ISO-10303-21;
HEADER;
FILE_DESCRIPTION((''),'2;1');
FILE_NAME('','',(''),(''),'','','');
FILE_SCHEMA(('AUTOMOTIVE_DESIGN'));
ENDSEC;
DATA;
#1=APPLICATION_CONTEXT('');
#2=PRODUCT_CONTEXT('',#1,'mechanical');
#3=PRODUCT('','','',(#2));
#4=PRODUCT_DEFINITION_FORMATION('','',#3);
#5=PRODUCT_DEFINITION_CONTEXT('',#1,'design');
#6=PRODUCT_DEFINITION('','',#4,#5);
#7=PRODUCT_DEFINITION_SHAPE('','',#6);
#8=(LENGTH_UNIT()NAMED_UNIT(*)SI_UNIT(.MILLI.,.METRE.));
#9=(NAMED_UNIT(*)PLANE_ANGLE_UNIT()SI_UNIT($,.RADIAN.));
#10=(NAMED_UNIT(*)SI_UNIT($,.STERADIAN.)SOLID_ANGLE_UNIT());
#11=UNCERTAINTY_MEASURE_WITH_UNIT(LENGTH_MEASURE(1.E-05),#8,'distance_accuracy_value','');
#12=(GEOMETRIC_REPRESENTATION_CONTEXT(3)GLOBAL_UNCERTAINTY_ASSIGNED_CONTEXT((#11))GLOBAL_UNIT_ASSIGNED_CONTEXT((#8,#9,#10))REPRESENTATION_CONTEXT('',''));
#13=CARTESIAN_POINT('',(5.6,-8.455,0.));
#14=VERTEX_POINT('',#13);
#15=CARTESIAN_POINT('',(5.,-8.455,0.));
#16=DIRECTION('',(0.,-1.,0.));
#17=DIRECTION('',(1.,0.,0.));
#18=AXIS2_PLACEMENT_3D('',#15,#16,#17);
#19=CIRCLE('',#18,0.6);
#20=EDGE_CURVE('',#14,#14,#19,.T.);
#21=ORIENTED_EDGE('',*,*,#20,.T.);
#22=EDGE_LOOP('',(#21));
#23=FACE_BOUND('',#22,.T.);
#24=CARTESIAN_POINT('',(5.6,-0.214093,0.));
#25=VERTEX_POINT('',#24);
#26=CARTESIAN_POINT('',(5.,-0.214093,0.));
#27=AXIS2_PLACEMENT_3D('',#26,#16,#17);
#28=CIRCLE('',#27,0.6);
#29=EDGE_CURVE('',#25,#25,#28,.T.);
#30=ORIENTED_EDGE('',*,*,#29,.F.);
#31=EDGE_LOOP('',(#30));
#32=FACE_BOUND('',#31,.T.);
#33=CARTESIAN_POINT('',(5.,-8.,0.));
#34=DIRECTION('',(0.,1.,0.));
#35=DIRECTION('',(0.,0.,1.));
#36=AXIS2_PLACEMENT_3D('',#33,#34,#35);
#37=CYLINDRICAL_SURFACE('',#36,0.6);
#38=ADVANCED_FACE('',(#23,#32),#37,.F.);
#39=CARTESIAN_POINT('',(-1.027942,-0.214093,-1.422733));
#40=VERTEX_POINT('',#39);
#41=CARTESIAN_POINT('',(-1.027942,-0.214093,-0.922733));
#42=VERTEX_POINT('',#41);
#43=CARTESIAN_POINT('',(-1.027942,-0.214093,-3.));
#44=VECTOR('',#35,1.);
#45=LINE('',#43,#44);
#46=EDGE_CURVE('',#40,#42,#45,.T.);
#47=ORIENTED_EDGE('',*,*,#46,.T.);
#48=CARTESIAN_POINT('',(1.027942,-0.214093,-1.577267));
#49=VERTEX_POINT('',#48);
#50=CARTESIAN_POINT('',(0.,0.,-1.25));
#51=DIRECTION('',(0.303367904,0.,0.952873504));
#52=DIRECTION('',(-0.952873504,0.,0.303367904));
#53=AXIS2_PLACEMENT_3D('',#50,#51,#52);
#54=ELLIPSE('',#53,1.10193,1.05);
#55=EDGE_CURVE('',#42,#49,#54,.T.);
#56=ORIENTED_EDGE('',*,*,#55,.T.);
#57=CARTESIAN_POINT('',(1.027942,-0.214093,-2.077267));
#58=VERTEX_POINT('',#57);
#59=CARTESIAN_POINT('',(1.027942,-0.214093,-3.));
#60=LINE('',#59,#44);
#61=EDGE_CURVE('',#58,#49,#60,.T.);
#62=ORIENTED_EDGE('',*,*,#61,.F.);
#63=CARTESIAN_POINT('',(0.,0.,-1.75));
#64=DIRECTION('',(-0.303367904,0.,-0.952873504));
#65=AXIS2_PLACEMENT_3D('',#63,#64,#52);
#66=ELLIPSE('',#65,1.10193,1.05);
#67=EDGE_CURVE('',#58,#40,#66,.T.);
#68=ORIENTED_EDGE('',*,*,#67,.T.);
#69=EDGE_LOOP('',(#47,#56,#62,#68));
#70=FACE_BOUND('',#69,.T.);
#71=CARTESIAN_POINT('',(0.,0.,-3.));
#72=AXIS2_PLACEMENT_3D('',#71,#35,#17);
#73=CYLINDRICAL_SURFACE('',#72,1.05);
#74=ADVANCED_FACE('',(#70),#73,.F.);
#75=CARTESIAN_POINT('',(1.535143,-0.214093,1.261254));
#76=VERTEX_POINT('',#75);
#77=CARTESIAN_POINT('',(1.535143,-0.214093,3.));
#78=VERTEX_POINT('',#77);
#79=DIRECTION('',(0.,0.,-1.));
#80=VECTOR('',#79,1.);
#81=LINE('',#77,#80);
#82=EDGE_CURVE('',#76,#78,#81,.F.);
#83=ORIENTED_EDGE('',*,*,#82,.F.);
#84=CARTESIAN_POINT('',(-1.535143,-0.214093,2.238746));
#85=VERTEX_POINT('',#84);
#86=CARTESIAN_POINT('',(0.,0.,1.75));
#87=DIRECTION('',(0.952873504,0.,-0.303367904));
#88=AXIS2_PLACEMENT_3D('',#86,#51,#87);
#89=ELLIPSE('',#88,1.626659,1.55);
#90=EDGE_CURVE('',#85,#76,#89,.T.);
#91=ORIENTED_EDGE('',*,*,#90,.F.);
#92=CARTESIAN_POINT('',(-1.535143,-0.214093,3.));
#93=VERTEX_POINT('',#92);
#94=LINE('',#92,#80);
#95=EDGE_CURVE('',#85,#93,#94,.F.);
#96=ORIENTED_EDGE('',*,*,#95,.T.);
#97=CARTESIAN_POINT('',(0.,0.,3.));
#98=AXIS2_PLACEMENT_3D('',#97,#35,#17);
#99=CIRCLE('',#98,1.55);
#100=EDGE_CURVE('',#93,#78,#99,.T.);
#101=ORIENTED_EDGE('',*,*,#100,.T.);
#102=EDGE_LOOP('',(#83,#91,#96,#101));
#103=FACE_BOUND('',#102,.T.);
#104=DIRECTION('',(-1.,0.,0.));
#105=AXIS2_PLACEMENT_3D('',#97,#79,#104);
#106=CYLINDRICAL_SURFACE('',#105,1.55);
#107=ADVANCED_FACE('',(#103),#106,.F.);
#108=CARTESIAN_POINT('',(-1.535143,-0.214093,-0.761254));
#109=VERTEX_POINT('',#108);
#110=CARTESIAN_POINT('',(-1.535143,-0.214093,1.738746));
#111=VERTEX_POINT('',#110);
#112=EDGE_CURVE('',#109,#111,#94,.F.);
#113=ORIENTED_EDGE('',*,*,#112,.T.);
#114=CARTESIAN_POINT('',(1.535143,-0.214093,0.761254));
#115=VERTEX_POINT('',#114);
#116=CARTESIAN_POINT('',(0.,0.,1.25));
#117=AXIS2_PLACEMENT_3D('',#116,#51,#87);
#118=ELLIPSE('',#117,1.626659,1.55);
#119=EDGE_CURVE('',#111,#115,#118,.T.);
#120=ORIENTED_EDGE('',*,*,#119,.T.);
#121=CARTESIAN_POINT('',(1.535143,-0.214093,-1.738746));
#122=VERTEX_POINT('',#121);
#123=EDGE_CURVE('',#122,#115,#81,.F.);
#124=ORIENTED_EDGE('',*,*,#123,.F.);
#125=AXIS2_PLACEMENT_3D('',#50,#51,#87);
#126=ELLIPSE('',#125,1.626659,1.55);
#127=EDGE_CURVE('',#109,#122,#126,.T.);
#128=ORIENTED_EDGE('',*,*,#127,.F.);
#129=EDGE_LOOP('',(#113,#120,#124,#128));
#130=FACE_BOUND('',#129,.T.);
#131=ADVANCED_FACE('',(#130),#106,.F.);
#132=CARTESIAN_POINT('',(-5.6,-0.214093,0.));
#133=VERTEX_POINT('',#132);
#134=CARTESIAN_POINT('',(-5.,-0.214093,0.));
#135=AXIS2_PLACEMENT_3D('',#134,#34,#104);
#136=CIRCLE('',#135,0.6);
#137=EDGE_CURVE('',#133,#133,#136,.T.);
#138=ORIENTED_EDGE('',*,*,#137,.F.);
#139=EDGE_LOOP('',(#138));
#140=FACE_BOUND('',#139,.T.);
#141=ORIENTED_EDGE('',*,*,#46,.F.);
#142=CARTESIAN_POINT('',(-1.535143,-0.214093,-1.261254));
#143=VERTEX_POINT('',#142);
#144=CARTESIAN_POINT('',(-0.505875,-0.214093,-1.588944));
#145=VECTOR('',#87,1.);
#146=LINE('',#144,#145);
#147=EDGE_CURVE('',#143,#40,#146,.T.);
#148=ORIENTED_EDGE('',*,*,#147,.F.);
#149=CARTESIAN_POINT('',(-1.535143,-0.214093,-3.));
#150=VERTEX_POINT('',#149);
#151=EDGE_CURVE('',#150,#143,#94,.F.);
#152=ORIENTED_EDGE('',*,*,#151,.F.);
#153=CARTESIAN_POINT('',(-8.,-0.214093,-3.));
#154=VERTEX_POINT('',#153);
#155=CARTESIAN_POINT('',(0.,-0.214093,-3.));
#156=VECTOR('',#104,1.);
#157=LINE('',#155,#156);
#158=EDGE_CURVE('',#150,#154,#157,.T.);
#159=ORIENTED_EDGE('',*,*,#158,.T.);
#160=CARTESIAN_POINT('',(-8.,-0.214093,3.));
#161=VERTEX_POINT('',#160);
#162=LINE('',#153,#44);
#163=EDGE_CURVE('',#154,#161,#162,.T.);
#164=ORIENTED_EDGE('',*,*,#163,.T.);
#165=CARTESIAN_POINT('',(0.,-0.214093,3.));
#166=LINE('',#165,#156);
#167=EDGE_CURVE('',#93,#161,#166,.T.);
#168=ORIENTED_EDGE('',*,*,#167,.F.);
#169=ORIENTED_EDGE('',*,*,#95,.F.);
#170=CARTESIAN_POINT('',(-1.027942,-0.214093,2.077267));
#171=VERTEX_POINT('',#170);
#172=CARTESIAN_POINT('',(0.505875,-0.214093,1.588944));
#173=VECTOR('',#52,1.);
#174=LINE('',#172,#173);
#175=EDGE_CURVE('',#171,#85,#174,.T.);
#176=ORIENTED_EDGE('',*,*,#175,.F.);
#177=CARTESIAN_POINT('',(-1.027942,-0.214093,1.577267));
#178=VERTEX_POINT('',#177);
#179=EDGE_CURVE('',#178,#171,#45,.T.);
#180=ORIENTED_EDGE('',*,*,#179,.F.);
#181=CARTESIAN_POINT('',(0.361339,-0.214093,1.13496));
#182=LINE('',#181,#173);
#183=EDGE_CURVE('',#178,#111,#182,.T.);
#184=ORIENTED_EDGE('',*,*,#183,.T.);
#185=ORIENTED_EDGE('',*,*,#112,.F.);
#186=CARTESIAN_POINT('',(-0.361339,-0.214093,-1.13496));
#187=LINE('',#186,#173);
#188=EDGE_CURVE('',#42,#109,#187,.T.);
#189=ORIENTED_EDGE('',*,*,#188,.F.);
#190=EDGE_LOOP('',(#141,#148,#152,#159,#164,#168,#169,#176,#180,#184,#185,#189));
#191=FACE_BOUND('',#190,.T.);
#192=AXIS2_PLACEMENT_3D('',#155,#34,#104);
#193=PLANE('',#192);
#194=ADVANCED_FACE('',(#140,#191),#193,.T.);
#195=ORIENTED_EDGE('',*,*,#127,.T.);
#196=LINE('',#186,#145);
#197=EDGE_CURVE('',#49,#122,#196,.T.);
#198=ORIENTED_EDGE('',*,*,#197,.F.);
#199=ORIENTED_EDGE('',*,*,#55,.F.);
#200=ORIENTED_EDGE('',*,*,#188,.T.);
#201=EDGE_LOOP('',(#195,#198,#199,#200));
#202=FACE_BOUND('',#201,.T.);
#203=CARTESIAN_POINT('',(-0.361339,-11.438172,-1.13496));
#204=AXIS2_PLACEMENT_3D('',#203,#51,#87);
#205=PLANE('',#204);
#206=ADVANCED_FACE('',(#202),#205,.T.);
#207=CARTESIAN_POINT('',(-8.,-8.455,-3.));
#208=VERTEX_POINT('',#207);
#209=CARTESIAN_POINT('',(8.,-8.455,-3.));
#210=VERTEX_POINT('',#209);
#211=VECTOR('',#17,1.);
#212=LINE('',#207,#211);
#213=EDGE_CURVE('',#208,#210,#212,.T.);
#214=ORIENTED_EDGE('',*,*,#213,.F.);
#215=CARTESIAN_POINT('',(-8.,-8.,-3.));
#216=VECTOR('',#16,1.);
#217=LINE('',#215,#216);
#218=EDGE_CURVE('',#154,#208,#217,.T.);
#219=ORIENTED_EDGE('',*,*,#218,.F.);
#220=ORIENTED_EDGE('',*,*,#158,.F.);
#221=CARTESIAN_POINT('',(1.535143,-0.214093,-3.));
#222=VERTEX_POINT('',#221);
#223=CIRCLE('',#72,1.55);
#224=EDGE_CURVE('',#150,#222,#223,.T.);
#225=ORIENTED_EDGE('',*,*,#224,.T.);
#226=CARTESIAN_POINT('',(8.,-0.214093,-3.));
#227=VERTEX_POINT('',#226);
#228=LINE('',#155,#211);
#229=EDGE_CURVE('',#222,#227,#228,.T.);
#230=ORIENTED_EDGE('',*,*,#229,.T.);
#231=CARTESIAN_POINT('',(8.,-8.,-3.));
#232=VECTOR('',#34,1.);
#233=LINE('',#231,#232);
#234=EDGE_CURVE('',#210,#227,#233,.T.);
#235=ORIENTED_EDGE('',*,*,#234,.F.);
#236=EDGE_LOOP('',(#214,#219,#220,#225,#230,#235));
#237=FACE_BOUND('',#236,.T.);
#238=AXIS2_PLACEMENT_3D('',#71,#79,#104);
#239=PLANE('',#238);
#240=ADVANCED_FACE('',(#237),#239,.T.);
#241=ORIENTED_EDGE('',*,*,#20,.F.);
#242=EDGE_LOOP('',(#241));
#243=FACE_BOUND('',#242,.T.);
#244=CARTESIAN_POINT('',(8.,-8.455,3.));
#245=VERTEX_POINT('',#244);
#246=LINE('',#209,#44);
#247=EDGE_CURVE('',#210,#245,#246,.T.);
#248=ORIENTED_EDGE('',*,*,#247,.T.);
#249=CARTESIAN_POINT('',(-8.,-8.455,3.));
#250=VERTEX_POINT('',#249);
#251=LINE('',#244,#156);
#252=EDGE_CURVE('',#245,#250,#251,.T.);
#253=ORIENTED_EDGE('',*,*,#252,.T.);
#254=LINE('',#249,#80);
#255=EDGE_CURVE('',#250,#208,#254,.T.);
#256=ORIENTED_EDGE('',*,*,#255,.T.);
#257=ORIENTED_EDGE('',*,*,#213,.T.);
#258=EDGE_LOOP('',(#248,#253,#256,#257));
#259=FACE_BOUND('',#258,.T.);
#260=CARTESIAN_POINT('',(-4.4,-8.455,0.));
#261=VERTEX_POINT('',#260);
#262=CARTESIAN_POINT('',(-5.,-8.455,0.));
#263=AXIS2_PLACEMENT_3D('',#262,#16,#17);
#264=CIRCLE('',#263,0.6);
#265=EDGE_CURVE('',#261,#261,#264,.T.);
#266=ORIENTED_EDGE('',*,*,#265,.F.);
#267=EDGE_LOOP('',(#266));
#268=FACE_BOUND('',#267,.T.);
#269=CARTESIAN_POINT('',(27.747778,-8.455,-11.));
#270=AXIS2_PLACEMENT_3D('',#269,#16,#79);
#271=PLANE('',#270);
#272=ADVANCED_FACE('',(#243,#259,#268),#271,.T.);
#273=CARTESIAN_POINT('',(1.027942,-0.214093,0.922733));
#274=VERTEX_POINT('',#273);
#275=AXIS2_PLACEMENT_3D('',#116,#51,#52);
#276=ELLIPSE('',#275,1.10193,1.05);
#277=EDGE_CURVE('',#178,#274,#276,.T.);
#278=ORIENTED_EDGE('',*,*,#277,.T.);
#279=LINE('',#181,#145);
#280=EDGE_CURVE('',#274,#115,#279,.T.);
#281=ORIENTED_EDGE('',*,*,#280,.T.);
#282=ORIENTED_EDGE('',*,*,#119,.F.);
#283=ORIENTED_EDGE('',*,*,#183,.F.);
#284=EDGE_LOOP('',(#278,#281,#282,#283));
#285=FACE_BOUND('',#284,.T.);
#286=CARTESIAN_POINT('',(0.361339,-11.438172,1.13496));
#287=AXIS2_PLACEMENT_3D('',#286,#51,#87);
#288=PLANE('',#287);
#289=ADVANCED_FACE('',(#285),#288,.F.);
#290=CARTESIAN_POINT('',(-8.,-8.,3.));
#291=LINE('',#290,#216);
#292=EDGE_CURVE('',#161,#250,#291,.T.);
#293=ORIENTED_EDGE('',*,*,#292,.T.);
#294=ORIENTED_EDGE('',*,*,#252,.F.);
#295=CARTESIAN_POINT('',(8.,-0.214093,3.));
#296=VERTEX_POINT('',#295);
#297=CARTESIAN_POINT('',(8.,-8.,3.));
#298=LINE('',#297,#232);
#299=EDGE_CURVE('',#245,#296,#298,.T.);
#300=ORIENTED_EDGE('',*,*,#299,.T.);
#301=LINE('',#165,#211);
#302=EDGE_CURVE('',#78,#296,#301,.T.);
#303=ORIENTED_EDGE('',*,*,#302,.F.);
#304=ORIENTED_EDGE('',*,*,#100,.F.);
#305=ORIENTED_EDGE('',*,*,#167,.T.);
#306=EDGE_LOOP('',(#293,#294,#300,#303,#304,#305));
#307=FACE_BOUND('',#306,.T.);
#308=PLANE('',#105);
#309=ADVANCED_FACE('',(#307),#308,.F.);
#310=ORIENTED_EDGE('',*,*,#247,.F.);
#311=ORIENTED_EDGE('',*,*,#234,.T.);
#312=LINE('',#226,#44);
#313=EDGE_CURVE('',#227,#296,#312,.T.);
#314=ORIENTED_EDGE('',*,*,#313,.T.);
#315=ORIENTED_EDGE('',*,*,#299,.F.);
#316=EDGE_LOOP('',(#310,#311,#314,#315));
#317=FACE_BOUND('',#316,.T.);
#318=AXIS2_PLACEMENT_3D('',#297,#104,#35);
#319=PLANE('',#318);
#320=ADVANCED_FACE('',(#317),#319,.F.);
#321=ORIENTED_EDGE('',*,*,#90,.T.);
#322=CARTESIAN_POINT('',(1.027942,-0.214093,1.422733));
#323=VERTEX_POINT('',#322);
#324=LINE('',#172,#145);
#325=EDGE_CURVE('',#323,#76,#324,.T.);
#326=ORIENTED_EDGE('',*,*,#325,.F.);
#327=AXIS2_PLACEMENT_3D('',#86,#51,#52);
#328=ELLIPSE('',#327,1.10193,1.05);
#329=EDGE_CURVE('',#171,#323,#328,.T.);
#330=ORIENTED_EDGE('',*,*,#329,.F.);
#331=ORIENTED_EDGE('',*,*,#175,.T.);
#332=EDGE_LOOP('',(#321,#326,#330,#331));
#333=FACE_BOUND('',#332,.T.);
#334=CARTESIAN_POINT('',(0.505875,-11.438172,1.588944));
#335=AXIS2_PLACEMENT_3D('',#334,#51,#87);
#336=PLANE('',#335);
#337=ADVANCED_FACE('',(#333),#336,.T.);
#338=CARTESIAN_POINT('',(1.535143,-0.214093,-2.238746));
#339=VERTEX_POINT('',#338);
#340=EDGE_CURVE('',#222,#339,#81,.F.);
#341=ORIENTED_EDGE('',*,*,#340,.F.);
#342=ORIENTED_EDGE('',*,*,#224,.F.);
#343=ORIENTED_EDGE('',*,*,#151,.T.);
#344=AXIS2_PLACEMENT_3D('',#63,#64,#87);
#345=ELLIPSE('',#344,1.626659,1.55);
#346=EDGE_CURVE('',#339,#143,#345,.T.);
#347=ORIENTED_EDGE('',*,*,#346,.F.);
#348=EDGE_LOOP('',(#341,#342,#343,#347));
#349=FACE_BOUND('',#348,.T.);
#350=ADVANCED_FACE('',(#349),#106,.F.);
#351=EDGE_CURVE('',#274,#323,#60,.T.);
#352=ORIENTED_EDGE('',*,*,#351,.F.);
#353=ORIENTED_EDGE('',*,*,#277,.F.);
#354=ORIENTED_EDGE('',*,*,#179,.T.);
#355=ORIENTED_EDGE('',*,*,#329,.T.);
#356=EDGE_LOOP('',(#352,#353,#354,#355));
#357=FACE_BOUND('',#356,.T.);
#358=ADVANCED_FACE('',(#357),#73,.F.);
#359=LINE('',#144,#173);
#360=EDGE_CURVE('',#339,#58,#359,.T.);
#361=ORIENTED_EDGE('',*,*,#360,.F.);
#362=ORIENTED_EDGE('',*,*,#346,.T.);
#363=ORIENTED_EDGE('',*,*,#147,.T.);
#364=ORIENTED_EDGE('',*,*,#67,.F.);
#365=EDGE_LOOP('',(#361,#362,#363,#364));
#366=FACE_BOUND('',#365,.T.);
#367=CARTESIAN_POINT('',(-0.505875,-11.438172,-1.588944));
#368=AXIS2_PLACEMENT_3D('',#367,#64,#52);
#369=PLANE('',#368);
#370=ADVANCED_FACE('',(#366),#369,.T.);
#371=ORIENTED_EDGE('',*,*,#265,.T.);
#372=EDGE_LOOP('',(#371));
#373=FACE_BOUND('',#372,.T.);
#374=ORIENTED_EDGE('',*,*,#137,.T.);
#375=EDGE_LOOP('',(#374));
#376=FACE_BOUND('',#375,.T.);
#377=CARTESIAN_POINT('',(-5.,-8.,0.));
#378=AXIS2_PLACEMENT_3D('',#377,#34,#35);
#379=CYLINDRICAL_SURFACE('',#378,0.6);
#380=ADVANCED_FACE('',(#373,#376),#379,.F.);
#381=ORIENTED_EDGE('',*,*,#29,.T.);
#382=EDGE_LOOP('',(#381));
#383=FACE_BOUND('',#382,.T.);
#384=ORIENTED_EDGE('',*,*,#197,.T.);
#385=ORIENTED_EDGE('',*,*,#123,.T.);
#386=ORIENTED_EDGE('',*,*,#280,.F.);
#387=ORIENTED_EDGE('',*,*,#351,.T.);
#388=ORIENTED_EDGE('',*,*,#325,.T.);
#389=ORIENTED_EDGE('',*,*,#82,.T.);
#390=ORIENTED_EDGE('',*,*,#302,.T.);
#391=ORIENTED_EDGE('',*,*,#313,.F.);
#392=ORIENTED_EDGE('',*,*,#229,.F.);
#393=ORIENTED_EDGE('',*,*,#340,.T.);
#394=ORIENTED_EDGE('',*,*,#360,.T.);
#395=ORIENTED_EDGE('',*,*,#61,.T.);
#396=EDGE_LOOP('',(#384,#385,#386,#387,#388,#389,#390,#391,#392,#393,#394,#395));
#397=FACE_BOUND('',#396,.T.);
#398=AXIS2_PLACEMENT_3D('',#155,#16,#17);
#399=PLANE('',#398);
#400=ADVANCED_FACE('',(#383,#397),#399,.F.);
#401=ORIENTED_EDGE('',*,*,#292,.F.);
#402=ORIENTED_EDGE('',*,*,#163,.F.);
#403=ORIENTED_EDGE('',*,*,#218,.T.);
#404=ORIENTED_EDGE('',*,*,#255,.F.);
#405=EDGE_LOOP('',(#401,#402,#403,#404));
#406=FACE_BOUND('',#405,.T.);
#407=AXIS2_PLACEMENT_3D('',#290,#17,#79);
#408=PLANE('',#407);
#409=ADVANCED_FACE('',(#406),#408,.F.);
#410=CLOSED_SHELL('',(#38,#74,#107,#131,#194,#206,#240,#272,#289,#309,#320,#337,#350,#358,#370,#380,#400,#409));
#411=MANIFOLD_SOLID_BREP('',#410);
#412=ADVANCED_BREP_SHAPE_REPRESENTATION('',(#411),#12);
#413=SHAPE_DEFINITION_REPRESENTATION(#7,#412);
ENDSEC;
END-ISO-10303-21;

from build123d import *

# Parameters (mm, degrees)
SKETCH_1_W               = 16
SKETCH_1_H               = 16
SKETCH_1_R               = 1.55
EXTRUDE_1_DEPTH          = 3
EXTRUDE_2_DEPTH          = 8
CUT_EXTRUDE_2_DEPTH      = 12.704699911
CUT_EXTRUDE_2_DEPTH_BACK = 12.704699911
SKETCH_8_R               = 0.6
CUT_EXTRUDE_3_DEPTH      = 12.704699911
SKETCH_9_W               = 16
SKETCH_9_H               = 6
SKETCH_9_R               = 0.6
EXTRUDE_3_DEPTH          = 0.455


with BuildPart() as part:
    # 草图1 → 凸台-拉伸1 (new, symmetric)
    with BuildSketch(Plane.XY):
        Rectangle(SKETCH_1_W, SKETCH_1_H)
        Circle(SKETCH_1_R, mode=Mode.SUBTRACT)
    extrude(amount=EXTRUDE_1_DEPTH, both=True)

    # 草图6 → 凸台-拉伸2 (add)
    with BuildSketch(Plane(origin=(0, 0, 0), x_dir=(1, 0, 0), z_dir=(0, 1, 0))):
        Polygon((-1.55, -1.743476048), (-1.55, -2.243476048), (1.55, -1.256523952), (1.55, -0.756523952), align=None)
        Polygon((-1.55, 1.256523952), (-1.55, 0.756523952), (1.55, 1.743476048), (1.55, 2.243476048), align=None)
    extrude(amount=-EXTRUDE_2_DEPTH)

    # 草图7 → 切除-拉伸2 (cut, two sides: drawn at the far end of the back side and taken through both)
    with BuildSketch(Plane.XY.offset(-CUT_EXTRUDE_2_DEPTH_BACK)):
        with BuildLine():
            Line((-8, -0.214092961), (-1.027941732, -0.214092961))
            ThreePointArc((-1.027941732, -0.214092961), (-0.107613153, 1.044470875), (1.05, 0))
            ThreePointArc((1.05, 0), (1.044470875, -0.107613153), (1.027941732, -0.214092961))
            Line((1.027941732, -0.214092961), (8, -0.214092961))
            Line((8, -0.214092961), (8, 8))
            Line((8, 8), (-8, 8))
            Line((-8, 8), (-8, -0.214092961))
        make_face()
        with BuildLine():
            Line((1.027941732, -0.214092961), (0, 0))
            Line((0, 0), (-1.027941732, -0.214092961))
            ThreePointArc((-1.027941732, -0.214092961), (0, -1.05), (1.027941732, -0.214092961))
        make_face()
        with BuildLine():
            Line((-1.027941732, -0.214092961), (0, 0))
            Line((0, 0), (1.027941732, -0.214092961))
            ThreePointArc((1.027941732, -0.214092961), (1.044470875, -0.107613153), (1.05, 0))
            ThreePointArc((1.05, 0), (-0.107613153, 1.044470875), (-1.027941732, -0.214092961))
        make_face()
    extrude(amount=CUT_EXTRUDE_2_DEPTH + CUT_EXTRUDE_2_DEPTH_BACK, mode=Mode.SUBTRACT)

    # 草图8 → 切除-拉伸3 (cut, through all)
    with BuildSketch(Plane(origin=(0, 0, 0), x_dir=(1, 0, 0), z_dir=(0, 1, 0))):
        with Locations(Location((-5, 0, 0), (0, 0, 270))):
            Circle(SKETCH_8_R)
        with Locations(Location((5, 0, 0), (0, 0, 270))):
            Circle(SKETCH_8_R)
    extrude(amount=-CUT_EXTRUDE_3_DEPTH, mode=Mode.SUBTRACT)

    # 草图9 → 凸台-拉伸3 (add)
    with BuildSketch(Plane.XZ.offset(8)):
        Rectangle(SKETCH_9_W, SKETCH_9_H)
        with Locations(Location((-5, 0, 0), (0, 0, 180))):
            Circle(SKETCH_9_R, mode=Mode.SUBTRACT)
        with Locations((5, 0)):
            Circle(SKETCH_9_R, mode=Mode.SUBTRACT)
    extrude(amount=EXTRUDE_3_DEPTH)


solid = part.part
